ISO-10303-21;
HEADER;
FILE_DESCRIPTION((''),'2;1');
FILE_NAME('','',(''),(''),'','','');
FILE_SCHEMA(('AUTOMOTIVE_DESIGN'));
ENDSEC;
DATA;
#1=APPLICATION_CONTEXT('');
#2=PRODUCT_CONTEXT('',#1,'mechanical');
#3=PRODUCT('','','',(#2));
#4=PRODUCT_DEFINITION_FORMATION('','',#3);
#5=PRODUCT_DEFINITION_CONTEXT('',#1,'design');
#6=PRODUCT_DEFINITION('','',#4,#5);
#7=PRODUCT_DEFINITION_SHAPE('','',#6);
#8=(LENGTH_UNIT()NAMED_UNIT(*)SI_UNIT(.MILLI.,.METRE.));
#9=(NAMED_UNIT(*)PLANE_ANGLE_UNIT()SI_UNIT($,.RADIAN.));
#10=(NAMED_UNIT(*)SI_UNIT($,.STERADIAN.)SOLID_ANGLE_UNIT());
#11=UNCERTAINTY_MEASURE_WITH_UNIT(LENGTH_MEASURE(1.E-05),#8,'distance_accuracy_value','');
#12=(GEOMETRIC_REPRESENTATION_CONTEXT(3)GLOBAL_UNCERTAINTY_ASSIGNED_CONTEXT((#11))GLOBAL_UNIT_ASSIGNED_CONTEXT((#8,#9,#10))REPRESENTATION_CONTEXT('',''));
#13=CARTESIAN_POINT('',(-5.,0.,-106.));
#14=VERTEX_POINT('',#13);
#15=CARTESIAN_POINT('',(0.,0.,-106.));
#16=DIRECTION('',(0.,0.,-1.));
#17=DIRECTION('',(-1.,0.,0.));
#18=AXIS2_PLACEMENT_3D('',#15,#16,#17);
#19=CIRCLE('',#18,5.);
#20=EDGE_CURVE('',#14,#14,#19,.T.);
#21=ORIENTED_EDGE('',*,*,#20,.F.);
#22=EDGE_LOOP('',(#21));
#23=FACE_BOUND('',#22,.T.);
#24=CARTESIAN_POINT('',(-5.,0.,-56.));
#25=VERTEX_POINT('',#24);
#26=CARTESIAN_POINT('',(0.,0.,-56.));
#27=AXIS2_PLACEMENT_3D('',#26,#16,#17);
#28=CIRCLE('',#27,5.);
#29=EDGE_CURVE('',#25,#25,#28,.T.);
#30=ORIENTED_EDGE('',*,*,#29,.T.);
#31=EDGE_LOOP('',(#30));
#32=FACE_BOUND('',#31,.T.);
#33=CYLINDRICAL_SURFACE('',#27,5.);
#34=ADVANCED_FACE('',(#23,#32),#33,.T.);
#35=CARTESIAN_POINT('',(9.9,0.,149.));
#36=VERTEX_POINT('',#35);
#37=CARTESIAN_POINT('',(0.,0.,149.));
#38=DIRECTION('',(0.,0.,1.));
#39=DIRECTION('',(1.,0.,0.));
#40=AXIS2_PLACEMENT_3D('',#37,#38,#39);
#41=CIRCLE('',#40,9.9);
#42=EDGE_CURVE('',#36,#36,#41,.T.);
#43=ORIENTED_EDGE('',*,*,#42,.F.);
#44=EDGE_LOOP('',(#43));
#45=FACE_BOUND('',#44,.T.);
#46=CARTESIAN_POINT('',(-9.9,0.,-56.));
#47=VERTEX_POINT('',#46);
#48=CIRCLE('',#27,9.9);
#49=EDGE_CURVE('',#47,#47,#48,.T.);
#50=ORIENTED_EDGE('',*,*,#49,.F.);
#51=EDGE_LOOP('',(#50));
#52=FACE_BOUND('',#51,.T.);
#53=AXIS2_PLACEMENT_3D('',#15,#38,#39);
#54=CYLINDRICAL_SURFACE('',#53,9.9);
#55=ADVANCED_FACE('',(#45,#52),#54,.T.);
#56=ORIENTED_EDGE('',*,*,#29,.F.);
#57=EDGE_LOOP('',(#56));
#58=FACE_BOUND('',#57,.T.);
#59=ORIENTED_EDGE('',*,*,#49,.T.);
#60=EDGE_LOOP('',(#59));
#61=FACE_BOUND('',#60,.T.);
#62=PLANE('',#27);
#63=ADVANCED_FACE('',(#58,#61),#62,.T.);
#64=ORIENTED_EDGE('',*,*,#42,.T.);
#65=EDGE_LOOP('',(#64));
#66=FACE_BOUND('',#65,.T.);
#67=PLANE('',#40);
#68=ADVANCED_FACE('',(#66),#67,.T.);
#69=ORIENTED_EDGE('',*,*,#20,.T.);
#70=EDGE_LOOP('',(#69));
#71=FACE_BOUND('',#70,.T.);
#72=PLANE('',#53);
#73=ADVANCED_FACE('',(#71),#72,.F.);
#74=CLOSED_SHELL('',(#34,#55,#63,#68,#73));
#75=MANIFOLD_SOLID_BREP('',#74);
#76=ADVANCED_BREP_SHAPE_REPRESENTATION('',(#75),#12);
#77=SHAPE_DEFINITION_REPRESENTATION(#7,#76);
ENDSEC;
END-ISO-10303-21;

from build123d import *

# Parameters (mm, degrees)
IZIM1_R                          = 9.9
Y_KSEKLIK_EKSTR_ZYON1_DEPTH      = 149
Y_KSEKLIK_EKSTR_ZYON1_DEPTH_BACK = 106
IZIM4_R                          = 9.9
IZIM4_R_2                        = 5
KES_EKSTR_ZYON4_DEPTH            = 50


with BuildPart() as part:
    # Çizim1 → Yükseklik-Ekstrüzyon1 (new body, two sides)
    with BuildSketch(Plane.XY) as y_kseklik_ekstr_zyon1_sk:
        Circle(IZIM1_R)
    extrude(amount=Y_KSEKLIK_EKSTR_ZYON1_DEPTH)
    extrude(y_kseklik_ekstr_zyon1_sk.sketch, amount=-Y_KSEKLIK_EKSTR_ZYON1_DEPTH_BACK)

    # Çizim4 → Kes-Ekstrüzyon4 (cut)
    with BuildSketch(Plane(origin=(0, 0, -106), x_dir=(-1, 0, 0), z_dir=(0, 0, -1))):
        Circle(IZIM4_R)
        Circle(IZIM4_R_2, mode=Mode.SUBTRACT)
    extrude(amount=-KES_EKSTR_ZYON4_DEPTH, mode=Mode.SUBTRACT)


solid = part.part
